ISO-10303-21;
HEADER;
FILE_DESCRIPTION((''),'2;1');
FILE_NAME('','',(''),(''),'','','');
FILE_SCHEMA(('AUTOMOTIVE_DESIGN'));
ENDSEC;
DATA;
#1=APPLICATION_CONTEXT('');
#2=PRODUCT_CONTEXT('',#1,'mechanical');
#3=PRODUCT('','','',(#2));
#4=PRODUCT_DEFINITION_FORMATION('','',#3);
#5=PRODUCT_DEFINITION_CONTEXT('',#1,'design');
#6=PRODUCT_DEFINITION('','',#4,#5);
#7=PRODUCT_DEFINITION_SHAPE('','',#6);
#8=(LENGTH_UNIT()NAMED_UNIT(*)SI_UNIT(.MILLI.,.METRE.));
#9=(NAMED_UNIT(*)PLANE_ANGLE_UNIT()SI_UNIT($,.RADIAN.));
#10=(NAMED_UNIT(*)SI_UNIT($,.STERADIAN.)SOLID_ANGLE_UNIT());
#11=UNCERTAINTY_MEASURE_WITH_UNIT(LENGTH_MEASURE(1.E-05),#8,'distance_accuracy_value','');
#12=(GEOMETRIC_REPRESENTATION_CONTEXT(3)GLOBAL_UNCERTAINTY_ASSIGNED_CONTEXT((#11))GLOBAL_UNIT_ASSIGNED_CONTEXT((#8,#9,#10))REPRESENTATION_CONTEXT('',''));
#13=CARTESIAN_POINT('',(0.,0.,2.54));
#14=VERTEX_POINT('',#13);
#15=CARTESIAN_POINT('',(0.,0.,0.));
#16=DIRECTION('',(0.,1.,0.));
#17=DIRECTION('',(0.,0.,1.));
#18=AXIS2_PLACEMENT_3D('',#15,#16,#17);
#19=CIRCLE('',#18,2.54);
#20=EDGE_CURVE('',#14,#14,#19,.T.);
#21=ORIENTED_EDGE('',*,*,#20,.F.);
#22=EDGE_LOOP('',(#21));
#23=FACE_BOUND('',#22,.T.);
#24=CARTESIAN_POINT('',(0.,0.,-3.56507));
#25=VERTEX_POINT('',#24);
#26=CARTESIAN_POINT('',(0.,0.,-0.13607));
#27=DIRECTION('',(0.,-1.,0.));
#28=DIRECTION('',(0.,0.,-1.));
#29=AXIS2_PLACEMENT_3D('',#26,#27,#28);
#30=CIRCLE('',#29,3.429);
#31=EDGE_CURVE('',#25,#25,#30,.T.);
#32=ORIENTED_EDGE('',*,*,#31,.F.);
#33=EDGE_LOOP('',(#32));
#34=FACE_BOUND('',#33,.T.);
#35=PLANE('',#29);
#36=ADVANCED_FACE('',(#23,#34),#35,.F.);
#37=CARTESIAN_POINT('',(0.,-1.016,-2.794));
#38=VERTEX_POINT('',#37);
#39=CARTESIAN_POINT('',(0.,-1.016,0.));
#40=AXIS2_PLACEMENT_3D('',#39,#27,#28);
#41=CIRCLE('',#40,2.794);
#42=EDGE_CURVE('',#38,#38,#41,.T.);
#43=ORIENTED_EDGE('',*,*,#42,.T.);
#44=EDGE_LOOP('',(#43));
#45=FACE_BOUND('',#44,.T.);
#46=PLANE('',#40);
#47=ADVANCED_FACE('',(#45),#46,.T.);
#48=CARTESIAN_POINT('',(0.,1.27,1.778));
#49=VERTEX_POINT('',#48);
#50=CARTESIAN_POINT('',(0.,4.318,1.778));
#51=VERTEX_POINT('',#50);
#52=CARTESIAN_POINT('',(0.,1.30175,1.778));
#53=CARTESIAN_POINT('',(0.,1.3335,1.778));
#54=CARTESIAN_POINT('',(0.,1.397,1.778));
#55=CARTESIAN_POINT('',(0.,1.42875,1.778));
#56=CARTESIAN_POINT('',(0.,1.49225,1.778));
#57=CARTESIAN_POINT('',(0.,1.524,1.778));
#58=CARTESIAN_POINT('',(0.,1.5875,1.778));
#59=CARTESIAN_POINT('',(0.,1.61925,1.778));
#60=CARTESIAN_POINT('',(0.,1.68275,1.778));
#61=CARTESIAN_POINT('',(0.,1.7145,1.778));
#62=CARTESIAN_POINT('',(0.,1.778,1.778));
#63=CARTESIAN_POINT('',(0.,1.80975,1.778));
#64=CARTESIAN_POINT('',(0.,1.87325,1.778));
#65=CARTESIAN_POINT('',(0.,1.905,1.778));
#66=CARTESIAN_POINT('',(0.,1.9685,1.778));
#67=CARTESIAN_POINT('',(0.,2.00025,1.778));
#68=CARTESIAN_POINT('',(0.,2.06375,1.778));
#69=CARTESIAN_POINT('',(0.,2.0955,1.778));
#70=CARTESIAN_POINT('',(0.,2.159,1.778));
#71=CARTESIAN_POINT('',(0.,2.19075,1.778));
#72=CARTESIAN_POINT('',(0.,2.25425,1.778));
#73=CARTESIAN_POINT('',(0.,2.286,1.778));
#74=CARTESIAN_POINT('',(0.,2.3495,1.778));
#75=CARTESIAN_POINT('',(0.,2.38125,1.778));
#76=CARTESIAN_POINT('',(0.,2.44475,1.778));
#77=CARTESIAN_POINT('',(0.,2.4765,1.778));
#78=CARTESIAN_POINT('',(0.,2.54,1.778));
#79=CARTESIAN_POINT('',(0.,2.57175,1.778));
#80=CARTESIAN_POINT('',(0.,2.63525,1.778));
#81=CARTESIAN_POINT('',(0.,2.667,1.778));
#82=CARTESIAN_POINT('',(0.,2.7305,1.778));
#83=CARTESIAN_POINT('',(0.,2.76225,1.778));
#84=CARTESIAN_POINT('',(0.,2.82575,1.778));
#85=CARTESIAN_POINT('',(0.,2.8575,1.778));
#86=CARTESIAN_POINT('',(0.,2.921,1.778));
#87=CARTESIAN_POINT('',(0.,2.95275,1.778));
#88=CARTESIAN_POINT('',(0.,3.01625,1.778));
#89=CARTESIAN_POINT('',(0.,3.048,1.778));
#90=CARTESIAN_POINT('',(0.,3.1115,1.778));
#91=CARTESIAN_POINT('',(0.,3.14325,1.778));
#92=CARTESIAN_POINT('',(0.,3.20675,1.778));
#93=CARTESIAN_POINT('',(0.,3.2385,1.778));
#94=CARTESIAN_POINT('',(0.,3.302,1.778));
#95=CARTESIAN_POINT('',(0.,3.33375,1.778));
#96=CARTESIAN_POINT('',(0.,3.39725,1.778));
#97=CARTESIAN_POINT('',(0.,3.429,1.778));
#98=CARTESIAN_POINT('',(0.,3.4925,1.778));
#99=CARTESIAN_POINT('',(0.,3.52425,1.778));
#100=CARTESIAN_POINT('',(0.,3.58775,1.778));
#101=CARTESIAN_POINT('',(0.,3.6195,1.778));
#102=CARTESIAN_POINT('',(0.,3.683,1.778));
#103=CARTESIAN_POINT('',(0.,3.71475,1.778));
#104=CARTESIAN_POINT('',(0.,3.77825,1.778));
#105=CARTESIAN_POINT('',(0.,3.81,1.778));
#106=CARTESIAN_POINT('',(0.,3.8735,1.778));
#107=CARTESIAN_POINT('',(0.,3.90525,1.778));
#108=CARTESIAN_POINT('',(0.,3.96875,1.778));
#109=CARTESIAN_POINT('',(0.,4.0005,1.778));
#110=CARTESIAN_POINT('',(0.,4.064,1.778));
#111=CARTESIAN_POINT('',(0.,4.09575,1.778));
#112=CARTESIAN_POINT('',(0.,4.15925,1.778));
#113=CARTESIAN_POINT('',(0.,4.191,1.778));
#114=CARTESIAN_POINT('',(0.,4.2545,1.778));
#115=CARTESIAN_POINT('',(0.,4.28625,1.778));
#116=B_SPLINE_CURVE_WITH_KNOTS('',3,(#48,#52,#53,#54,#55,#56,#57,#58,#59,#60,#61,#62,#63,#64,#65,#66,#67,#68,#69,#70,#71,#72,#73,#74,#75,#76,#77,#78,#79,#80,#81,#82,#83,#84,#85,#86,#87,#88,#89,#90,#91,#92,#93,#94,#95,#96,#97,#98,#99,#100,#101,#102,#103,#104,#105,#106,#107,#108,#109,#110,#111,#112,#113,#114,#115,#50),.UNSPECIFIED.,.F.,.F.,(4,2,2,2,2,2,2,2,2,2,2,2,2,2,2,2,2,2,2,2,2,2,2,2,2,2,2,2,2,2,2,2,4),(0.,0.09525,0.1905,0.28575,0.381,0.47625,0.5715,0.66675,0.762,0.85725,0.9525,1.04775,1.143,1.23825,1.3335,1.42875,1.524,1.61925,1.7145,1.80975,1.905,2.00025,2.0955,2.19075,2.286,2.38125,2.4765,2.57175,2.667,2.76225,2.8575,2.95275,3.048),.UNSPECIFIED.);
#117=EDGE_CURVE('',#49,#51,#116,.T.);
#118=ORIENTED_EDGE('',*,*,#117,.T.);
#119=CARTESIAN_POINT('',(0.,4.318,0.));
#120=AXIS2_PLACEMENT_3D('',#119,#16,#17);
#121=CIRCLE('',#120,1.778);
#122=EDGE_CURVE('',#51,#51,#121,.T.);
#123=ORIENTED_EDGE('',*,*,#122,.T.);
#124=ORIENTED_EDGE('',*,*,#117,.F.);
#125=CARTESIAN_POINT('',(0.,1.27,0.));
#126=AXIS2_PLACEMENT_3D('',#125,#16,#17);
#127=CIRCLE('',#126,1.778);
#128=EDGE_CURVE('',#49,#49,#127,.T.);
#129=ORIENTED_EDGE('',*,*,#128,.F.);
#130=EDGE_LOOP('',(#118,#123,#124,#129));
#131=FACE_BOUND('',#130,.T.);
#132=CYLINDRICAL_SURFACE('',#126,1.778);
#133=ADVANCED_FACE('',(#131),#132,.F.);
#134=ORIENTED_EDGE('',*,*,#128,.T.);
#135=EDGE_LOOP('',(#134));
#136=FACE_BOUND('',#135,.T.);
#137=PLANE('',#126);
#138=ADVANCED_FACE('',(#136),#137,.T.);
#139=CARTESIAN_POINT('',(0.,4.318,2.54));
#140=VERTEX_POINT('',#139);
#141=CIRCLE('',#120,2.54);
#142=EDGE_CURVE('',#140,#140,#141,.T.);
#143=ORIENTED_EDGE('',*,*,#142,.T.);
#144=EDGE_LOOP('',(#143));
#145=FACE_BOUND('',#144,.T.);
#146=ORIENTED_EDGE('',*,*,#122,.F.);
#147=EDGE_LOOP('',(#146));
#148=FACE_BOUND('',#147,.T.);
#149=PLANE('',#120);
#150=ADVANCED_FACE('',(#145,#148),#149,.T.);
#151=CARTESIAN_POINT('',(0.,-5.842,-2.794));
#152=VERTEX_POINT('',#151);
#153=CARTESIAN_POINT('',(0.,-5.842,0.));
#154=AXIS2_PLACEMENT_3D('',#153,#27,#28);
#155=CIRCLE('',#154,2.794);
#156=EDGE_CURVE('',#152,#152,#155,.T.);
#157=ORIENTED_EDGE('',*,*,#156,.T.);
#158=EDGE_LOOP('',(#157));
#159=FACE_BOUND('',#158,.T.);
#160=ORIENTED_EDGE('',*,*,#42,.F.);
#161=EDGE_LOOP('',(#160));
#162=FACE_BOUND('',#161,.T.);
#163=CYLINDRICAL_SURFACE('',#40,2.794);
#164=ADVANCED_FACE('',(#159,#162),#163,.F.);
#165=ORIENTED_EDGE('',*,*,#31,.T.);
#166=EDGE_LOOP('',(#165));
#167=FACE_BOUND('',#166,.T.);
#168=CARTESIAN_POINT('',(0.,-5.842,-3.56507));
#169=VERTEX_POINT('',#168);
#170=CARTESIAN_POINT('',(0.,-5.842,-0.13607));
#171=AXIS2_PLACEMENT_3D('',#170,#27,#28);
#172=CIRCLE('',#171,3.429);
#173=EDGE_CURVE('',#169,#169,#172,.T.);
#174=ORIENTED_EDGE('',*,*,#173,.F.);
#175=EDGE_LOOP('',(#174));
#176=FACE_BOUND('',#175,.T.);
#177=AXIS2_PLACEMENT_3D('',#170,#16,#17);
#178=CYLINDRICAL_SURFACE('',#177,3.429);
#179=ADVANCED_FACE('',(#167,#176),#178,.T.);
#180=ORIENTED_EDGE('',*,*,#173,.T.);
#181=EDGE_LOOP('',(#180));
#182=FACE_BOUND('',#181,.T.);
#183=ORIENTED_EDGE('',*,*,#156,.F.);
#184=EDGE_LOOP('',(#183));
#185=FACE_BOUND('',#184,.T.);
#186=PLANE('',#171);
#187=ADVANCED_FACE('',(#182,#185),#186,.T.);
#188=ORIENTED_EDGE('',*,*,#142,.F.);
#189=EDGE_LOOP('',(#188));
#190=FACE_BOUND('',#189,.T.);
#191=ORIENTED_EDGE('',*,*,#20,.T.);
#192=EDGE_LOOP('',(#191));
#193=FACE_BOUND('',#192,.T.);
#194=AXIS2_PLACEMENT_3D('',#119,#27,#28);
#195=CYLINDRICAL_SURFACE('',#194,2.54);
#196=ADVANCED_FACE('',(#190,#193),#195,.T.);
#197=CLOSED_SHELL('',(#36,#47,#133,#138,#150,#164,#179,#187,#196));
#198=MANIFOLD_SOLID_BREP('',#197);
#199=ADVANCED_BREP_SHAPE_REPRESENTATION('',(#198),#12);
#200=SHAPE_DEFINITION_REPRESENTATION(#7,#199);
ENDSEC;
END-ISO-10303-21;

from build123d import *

# Parameters (mm, degrees)
SKETCH1_R           = 2.54
BOSS_EXTRUDE1_DEPTH = 4.318
SKETCH2_R           = 1.778
CUT_EXTRUDE1_DEPTH  = 3.048
SKETCH4_R           = 3.429
BOSS_EXTRUDE2_DEPTH = 5.842
SKETCH5_R           = 2.794
CUT_EXTRUDE2_DEPTH  = 4.826


with BuildPart() as part:
    # Sketch1 → Boss-Extrude1 (new body)
    with BuildSketch(Plane(origin=(0, 0, 0), x_dir=(1, 0, 0), z_dir=(0, 1, 0))):
        with Locations(Location((0, 0, 0), (0, 0, 270))):
            Circle(SKETCH1_R)
    extrude(amount=BOSS_EXTRUDE1_DEPTH)

    # Sketch2 → Cut-Extrude1 (cut)
    with BuildSketch(Plane(origin=(0, 4.318, 0), x_dir=(1, 0, 0), z_dir=(0, 1, 0))):
        with Locations(Location((0, 0, 0), (0, 0, 270))):
            Circle(SKETCH2_R)
    extrude(amount=-CUT_EXTRUDE1_DEPTH, mode=Mode.SUBTRACT)

    # Sketch4 → Boss-Extrude2 (add)
    with BuildSketch(Plane.XZ):
        with Locations(Location((0, -0.136069794, 0), (0, 0, 270))):
            Circle(SKETCH4_R)
    extrude(amount=BOSS_EXTRUDE2_DEPTH)

    # Sketch5 → Cut-Extrude2 (cut)
    with BuildSketch(Plane.XZ.offset(5.842)):
        with Locations(Location((0, 0, 0), (0, 0, 270))):
            Circle(SKETCH5_R)
    extrude(amount=-CUT_EXTRUDE2_DEPTH, mode=Mode.SUBTRACT)


solid = part.part
